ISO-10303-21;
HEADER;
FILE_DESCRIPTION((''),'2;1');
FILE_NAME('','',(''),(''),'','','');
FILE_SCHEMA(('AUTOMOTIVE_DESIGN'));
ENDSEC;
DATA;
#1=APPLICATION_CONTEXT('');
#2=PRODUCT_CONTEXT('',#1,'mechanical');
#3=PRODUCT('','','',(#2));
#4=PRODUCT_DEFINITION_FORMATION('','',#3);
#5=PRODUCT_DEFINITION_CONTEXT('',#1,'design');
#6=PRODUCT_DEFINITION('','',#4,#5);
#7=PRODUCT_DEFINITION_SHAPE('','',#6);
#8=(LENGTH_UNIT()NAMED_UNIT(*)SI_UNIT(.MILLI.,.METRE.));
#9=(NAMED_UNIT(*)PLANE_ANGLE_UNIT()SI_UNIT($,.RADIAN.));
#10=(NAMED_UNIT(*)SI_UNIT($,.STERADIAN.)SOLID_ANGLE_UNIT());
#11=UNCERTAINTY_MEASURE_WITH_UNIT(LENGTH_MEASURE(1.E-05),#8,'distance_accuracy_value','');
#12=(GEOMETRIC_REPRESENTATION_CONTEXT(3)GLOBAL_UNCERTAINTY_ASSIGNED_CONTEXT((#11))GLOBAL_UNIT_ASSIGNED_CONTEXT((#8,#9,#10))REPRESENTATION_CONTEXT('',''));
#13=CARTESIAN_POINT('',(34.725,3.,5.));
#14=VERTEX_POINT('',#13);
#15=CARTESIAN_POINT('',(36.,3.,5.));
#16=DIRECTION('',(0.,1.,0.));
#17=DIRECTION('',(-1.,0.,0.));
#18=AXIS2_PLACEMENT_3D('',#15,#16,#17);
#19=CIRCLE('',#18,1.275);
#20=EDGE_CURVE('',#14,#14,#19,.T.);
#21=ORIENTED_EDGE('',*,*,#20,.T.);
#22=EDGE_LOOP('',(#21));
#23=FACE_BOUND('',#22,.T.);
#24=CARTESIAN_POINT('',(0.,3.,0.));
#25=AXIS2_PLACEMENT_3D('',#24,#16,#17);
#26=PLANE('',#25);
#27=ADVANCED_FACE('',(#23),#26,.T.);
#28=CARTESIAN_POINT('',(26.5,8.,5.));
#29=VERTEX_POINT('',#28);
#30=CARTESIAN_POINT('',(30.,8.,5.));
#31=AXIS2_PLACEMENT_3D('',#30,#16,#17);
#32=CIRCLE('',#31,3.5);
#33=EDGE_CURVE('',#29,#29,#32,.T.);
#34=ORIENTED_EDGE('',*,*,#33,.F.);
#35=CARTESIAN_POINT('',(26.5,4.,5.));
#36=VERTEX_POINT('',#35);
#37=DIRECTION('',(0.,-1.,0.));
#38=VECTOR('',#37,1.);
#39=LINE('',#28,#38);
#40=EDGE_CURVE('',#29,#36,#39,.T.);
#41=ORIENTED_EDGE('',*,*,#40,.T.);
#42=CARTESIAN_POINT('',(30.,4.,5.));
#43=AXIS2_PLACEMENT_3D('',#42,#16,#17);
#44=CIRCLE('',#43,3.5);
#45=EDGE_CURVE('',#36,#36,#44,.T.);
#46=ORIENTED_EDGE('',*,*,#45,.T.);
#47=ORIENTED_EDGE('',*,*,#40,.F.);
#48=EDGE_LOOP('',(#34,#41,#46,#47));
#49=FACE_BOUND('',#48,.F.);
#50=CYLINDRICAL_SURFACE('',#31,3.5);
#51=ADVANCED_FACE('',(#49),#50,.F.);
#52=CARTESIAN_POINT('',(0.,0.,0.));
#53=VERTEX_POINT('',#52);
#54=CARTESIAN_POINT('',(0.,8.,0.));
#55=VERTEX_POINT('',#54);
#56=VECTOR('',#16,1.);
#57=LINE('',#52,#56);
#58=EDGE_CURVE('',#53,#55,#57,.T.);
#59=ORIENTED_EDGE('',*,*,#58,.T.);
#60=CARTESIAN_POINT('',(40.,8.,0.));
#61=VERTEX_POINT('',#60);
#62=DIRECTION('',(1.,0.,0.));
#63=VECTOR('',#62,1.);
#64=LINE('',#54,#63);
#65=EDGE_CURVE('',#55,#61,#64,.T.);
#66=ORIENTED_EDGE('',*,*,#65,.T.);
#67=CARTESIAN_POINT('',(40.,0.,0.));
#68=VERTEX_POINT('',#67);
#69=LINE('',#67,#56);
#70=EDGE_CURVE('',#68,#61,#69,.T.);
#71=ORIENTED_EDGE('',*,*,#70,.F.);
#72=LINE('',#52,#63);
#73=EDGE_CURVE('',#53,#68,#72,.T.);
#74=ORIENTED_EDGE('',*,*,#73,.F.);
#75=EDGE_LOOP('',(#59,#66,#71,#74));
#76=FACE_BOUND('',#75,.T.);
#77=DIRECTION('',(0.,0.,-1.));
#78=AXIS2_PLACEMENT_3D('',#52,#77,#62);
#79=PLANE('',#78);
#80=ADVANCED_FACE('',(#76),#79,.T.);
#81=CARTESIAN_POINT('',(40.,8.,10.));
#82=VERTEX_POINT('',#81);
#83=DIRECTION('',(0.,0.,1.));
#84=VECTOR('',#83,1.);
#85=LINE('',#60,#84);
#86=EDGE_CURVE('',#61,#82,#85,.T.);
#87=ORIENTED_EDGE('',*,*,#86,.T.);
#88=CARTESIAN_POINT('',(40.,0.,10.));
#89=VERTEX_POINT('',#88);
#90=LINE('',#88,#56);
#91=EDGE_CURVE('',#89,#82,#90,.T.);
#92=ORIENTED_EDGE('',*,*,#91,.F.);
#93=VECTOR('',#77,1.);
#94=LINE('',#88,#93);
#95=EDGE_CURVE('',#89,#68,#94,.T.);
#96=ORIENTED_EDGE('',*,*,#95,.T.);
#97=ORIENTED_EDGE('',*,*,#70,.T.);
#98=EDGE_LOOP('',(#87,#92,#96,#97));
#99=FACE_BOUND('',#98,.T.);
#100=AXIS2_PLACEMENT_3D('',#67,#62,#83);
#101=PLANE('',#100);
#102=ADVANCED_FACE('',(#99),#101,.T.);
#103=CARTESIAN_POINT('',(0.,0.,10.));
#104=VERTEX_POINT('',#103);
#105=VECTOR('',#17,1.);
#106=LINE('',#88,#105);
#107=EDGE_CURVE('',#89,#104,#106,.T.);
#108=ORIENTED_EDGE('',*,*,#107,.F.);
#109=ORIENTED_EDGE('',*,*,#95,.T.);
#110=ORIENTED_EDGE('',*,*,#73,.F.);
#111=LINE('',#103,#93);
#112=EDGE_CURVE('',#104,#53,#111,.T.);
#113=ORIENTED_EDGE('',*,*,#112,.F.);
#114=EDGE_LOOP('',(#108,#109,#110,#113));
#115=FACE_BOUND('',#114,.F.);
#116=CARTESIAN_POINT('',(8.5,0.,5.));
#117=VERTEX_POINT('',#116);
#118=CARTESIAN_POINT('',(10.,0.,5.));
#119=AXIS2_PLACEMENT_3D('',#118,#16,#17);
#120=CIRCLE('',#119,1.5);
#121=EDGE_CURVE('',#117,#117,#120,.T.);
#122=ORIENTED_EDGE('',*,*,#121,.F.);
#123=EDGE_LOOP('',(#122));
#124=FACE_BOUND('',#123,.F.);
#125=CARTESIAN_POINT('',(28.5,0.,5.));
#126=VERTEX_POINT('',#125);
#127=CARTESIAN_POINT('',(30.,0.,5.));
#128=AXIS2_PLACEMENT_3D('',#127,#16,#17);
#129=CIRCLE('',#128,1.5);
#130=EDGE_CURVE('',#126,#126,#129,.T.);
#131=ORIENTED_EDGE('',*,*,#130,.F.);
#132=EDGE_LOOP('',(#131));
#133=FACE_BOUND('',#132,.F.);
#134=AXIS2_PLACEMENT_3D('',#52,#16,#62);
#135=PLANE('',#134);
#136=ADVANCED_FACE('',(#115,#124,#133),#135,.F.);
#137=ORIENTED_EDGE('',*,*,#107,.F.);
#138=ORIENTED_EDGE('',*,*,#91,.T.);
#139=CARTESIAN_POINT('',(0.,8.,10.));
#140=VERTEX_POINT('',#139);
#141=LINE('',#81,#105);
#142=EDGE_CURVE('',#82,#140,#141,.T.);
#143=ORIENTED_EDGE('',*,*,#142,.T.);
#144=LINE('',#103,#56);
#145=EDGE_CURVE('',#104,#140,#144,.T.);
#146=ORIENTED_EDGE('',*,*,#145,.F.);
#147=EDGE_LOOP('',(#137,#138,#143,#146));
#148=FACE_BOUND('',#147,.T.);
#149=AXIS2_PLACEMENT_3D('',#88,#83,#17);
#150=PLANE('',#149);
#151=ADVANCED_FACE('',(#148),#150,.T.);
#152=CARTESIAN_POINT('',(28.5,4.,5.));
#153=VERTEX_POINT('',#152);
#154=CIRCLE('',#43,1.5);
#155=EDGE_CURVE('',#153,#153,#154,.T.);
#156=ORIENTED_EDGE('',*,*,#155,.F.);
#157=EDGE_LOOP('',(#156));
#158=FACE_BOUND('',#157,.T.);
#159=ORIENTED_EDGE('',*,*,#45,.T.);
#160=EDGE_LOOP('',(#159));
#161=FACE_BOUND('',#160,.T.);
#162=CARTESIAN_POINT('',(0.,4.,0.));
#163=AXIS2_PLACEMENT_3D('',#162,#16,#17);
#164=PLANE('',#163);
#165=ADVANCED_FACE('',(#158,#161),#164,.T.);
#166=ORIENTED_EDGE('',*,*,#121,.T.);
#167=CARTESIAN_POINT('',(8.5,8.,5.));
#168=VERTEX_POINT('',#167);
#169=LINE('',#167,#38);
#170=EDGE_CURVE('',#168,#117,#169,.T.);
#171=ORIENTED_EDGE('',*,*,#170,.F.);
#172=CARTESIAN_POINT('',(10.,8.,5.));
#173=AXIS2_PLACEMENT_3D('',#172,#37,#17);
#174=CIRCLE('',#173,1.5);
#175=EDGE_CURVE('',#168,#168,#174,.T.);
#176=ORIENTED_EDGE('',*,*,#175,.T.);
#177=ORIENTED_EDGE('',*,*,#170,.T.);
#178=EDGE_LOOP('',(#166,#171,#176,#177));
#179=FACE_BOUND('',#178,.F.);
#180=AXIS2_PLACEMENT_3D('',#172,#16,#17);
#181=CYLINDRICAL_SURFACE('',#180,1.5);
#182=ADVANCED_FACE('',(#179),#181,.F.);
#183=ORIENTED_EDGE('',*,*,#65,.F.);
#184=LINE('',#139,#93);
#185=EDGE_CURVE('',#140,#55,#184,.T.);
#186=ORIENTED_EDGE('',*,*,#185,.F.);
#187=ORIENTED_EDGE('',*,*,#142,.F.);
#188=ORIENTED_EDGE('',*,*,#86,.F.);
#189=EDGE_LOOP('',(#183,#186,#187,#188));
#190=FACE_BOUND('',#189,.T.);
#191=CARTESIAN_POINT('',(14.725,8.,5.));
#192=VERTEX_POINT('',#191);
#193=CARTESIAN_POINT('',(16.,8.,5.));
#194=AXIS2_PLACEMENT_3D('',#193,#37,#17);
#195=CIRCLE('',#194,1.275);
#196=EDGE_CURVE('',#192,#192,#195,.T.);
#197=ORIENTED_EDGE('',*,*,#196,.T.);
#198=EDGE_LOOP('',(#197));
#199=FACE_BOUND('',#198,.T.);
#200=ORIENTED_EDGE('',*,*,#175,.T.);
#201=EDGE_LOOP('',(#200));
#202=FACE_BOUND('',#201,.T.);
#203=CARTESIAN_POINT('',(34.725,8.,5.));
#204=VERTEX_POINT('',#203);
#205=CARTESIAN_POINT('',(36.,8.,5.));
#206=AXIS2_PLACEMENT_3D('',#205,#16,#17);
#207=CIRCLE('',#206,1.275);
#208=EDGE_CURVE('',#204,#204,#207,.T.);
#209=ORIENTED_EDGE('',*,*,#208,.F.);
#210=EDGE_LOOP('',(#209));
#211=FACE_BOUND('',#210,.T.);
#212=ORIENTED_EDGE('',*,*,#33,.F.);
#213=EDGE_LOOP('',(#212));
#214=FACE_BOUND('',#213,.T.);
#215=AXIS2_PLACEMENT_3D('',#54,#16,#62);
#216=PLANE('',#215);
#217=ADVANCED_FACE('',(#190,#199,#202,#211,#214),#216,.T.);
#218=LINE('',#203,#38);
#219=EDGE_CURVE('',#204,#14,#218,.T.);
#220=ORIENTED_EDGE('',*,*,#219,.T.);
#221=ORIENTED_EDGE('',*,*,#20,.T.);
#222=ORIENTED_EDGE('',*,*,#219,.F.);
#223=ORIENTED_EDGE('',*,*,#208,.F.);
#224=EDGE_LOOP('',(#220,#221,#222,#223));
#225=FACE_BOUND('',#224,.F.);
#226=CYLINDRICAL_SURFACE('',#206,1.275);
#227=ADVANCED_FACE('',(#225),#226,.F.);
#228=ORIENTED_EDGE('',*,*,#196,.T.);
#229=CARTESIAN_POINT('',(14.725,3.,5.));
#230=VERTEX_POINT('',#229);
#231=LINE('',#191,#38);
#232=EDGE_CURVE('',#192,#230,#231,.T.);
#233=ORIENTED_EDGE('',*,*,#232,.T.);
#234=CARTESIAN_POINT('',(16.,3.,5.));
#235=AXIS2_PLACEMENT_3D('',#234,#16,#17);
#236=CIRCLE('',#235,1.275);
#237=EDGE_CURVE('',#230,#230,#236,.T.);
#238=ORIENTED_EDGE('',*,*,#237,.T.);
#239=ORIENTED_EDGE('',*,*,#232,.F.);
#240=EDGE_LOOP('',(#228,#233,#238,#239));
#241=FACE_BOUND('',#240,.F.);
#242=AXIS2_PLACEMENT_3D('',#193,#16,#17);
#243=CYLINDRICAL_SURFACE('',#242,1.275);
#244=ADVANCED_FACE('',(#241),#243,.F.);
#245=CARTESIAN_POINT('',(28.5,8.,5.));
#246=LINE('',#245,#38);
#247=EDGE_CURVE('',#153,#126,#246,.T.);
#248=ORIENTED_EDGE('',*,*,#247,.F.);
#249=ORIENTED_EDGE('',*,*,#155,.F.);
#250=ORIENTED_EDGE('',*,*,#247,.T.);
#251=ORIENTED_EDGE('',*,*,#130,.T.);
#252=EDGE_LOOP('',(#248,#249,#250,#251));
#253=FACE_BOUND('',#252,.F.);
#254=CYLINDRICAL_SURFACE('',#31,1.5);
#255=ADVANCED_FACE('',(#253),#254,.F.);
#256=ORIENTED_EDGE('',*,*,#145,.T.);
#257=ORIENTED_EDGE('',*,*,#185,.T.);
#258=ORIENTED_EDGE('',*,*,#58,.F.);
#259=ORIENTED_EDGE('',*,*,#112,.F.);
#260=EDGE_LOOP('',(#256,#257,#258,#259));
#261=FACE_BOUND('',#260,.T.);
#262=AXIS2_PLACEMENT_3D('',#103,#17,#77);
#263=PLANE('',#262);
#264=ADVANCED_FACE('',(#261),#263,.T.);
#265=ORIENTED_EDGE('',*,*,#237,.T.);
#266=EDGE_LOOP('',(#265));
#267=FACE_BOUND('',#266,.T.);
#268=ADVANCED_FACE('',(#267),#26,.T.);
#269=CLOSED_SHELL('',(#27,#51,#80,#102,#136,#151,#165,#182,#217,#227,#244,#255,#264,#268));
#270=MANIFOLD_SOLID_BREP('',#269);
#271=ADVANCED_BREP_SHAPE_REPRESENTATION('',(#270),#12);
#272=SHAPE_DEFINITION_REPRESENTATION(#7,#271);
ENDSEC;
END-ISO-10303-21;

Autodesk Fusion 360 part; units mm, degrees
sketch "Skizze1" plane through (0, 0, 0) normal (0, 1, 0) x (1, 0, 0)
  line L0 (0, 0) -> (40, 0)
  line L1 (40, 0) -> (40, -5)
  line L2 (40, -5) -> (40, -10)
  line L3 (40, -10) -> (0, -10)
  line L4 (0, -10) -> (0, 0)
extrude "Extrusion1" add sketch "Skizze1" along normal blind 8
sketch "Skizze2" plane through (0, 8, 0) normal (0, 1, 0) x (-1, 0, 0)
  line L0 (0, 10) -> (-40, 10)
  line L1 (-40, 10) -> (-40, 0)
  line L2 (-40, 0) -> (0, 0)
  line L3 (0, 0) -> (0, 10)
  circle A0 centre (-10, 5) radius 1.5
  line L4 (-40, 0) -> (-40, 5)
  circle A1 centre (-36, 5) radius 1.275
  circle A2 centre (-16, 5) radius 1.275
  line L5 (-10, 5) -> (-30, 5)
  circle A3 centre (-30, 5) radius 1.5
  circle A4 centre (-30, 5) radius 3.5
  dimension "d3" = 3
  dimension "d4" = 2.55
  dimension "d5" = 2.55
  dimension "d6" = 3
  dimension "d7" = 7
extrude "Extrusion2" cut sketch "Skizze2" against normal blind 20 contours A0 | A3
extrude "Extrusion3" cut sketch "Skizze2" against normal blind 5 contours A2 L5 | A2 L5
extrude "Extrusion4" cut sketch "Skizze2" against normal blind 5 contours A1
extrude "Extrusion5" cut sketch "Skizze2" against normal blind 4 contours A4
